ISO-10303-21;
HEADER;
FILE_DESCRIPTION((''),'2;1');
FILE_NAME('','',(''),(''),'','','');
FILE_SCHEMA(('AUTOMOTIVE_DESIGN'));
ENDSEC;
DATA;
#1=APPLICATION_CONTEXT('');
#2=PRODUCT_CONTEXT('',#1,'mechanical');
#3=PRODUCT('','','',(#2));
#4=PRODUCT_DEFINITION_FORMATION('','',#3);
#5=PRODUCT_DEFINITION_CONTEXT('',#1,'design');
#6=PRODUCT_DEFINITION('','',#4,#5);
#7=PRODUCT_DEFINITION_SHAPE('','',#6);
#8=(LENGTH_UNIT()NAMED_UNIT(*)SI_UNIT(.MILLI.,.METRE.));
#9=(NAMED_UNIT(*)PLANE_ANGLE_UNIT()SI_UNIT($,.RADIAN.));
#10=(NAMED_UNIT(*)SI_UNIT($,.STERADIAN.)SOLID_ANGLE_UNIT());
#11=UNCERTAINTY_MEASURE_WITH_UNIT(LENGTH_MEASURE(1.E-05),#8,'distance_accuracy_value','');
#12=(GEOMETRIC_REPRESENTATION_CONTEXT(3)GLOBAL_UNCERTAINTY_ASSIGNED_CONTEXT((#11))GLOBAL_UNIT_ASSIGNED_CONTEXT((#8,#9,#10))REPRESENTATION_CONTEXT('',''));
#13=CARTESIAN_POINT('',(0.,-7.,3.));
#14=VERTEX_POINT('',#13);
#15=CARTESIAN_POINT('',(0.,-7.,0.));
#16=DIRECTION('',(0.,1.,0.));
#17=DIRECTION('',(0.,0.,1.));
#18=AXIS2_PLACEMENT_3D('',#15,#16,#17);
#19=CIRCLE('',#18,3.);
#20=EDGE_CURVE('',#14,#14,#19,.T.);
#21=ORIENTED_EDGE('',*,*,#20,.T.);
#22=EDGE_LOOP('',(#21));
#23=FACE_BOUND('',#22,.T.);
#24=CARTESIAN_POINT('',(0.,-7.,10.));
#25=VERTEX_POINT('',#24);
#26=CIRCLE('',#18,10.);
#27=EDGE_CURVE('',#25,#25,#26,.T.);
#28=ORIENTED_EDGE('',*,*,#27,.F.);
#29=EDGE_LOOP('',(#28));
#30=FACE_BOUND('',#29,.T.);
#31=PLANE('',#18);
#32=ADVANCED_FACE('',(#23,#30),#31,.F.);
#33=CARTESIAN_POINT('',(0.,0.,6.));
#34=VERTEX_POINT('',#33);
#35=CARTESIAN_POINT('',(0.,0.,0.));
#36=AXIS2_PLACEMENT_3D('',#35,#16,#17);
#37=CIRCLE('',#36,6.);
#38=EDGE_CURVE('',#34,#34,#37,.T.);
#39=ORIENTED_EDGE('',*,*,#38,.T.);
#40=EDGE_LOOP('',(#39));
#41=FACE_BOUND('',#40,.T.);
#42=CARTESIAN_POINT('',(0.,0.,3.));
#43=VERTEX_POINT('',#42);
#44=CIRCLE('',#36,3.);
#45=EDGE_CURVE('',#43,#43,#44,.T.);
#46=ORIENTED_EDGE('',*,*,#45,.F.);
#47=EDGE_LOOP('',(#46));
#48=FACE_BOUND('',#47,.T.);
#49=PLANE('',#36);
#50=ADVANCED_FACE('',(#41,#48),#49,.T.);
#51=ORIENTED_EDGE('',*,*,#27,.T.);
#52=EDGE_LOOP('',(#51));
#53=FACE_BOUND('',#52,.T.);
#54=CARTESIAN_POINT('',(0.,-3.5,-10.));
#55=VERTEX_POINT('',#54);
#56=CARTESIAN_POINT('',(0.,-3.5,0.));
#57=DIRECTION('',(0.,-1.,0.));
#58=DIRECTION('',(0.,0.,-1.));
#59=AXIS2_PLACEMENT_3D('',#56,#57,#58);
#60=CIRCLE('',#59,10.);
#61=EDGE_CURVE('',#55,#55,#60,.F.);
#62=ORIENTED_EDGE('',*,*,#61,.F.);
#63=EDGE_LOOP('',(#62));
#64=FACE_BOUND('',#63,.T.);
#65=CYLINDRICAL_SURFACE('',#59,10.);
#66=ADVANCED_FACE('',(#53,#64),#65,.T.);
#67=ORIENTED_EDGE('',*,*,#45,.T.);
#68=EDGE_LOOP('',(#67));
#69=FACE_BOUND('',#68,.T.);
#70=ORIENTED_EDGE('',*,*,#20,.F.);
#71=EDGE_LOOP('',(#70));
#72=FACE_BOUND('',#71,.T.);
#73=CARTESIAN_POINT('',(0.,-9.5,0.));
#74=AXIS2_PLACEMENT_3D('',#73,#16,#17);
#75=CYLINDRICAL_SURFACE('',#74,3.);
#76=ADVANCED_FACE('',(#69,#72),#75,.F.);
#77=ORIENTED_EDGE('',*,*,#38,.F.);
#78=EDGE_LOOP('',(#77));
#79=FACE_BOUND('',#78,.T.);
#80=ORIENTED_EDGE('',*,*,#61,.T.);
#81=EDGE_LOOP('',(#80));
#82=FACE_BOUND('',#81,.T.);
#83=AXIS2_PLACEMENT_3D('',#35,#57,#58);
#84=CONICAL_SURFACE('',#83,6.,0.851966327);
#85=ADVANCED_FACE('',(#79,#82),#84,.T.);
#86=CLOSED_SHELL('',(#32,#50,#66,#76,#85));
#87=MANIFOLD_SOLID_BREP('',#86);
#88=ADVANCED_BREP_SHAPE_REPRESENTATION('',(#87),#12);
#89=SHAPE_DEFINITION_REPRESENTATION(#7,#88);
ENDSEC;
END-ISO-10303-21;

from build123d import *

# Parameters (mm, degrees)
SKETCH2_R           = 10
BOSS_EXTRUDE1_DEPTH = 3.5
SKETCH1_R           = 6
SKETCH3_R           = 3
CUT_EXTRUDE1_DEPTH  = 9.5


with BuildPart() as part:
    # Sketch2 → Boss-Extrude1 (new body)
    with BuildSketch(Plane(origin=(0, -7, 0), x_dir=(1, 0, 0), z_dir=(0, 1, 0))):
        Circle(SKETCH2_R)
    extrude(amount=BOSS_EXTRUDE1_DEPTH)

    # Sketch1 → section 0 of loft1
    with BuildSketch(Plane(origin=(0, 0, 0), x_dir=(1, 0, 0), z_dir=(0, 1, 0)), mode=Mode.PRIVATE) as loft1_s0:
        Circle(SKETCH1_R)
    # loft up to a face of the part (loft1)
    loft([loft1_s0.sketch, part.faces().sort_by_distance((0, -3.5, 0))[0]])

    # Sketch3 → Cut-Extrude1 (cut)
    with BuildSketch(Plane(origin=(0, 0, 0), x_dir=(1, 0, 0), z_dir=(0, 1, 0))):
        Circle(SKETCH3_R)
    extrude(amount=-CUT_EXTRUDE1_DEPTH, mode=Mode.SUBTRACT)


solid = part.part
